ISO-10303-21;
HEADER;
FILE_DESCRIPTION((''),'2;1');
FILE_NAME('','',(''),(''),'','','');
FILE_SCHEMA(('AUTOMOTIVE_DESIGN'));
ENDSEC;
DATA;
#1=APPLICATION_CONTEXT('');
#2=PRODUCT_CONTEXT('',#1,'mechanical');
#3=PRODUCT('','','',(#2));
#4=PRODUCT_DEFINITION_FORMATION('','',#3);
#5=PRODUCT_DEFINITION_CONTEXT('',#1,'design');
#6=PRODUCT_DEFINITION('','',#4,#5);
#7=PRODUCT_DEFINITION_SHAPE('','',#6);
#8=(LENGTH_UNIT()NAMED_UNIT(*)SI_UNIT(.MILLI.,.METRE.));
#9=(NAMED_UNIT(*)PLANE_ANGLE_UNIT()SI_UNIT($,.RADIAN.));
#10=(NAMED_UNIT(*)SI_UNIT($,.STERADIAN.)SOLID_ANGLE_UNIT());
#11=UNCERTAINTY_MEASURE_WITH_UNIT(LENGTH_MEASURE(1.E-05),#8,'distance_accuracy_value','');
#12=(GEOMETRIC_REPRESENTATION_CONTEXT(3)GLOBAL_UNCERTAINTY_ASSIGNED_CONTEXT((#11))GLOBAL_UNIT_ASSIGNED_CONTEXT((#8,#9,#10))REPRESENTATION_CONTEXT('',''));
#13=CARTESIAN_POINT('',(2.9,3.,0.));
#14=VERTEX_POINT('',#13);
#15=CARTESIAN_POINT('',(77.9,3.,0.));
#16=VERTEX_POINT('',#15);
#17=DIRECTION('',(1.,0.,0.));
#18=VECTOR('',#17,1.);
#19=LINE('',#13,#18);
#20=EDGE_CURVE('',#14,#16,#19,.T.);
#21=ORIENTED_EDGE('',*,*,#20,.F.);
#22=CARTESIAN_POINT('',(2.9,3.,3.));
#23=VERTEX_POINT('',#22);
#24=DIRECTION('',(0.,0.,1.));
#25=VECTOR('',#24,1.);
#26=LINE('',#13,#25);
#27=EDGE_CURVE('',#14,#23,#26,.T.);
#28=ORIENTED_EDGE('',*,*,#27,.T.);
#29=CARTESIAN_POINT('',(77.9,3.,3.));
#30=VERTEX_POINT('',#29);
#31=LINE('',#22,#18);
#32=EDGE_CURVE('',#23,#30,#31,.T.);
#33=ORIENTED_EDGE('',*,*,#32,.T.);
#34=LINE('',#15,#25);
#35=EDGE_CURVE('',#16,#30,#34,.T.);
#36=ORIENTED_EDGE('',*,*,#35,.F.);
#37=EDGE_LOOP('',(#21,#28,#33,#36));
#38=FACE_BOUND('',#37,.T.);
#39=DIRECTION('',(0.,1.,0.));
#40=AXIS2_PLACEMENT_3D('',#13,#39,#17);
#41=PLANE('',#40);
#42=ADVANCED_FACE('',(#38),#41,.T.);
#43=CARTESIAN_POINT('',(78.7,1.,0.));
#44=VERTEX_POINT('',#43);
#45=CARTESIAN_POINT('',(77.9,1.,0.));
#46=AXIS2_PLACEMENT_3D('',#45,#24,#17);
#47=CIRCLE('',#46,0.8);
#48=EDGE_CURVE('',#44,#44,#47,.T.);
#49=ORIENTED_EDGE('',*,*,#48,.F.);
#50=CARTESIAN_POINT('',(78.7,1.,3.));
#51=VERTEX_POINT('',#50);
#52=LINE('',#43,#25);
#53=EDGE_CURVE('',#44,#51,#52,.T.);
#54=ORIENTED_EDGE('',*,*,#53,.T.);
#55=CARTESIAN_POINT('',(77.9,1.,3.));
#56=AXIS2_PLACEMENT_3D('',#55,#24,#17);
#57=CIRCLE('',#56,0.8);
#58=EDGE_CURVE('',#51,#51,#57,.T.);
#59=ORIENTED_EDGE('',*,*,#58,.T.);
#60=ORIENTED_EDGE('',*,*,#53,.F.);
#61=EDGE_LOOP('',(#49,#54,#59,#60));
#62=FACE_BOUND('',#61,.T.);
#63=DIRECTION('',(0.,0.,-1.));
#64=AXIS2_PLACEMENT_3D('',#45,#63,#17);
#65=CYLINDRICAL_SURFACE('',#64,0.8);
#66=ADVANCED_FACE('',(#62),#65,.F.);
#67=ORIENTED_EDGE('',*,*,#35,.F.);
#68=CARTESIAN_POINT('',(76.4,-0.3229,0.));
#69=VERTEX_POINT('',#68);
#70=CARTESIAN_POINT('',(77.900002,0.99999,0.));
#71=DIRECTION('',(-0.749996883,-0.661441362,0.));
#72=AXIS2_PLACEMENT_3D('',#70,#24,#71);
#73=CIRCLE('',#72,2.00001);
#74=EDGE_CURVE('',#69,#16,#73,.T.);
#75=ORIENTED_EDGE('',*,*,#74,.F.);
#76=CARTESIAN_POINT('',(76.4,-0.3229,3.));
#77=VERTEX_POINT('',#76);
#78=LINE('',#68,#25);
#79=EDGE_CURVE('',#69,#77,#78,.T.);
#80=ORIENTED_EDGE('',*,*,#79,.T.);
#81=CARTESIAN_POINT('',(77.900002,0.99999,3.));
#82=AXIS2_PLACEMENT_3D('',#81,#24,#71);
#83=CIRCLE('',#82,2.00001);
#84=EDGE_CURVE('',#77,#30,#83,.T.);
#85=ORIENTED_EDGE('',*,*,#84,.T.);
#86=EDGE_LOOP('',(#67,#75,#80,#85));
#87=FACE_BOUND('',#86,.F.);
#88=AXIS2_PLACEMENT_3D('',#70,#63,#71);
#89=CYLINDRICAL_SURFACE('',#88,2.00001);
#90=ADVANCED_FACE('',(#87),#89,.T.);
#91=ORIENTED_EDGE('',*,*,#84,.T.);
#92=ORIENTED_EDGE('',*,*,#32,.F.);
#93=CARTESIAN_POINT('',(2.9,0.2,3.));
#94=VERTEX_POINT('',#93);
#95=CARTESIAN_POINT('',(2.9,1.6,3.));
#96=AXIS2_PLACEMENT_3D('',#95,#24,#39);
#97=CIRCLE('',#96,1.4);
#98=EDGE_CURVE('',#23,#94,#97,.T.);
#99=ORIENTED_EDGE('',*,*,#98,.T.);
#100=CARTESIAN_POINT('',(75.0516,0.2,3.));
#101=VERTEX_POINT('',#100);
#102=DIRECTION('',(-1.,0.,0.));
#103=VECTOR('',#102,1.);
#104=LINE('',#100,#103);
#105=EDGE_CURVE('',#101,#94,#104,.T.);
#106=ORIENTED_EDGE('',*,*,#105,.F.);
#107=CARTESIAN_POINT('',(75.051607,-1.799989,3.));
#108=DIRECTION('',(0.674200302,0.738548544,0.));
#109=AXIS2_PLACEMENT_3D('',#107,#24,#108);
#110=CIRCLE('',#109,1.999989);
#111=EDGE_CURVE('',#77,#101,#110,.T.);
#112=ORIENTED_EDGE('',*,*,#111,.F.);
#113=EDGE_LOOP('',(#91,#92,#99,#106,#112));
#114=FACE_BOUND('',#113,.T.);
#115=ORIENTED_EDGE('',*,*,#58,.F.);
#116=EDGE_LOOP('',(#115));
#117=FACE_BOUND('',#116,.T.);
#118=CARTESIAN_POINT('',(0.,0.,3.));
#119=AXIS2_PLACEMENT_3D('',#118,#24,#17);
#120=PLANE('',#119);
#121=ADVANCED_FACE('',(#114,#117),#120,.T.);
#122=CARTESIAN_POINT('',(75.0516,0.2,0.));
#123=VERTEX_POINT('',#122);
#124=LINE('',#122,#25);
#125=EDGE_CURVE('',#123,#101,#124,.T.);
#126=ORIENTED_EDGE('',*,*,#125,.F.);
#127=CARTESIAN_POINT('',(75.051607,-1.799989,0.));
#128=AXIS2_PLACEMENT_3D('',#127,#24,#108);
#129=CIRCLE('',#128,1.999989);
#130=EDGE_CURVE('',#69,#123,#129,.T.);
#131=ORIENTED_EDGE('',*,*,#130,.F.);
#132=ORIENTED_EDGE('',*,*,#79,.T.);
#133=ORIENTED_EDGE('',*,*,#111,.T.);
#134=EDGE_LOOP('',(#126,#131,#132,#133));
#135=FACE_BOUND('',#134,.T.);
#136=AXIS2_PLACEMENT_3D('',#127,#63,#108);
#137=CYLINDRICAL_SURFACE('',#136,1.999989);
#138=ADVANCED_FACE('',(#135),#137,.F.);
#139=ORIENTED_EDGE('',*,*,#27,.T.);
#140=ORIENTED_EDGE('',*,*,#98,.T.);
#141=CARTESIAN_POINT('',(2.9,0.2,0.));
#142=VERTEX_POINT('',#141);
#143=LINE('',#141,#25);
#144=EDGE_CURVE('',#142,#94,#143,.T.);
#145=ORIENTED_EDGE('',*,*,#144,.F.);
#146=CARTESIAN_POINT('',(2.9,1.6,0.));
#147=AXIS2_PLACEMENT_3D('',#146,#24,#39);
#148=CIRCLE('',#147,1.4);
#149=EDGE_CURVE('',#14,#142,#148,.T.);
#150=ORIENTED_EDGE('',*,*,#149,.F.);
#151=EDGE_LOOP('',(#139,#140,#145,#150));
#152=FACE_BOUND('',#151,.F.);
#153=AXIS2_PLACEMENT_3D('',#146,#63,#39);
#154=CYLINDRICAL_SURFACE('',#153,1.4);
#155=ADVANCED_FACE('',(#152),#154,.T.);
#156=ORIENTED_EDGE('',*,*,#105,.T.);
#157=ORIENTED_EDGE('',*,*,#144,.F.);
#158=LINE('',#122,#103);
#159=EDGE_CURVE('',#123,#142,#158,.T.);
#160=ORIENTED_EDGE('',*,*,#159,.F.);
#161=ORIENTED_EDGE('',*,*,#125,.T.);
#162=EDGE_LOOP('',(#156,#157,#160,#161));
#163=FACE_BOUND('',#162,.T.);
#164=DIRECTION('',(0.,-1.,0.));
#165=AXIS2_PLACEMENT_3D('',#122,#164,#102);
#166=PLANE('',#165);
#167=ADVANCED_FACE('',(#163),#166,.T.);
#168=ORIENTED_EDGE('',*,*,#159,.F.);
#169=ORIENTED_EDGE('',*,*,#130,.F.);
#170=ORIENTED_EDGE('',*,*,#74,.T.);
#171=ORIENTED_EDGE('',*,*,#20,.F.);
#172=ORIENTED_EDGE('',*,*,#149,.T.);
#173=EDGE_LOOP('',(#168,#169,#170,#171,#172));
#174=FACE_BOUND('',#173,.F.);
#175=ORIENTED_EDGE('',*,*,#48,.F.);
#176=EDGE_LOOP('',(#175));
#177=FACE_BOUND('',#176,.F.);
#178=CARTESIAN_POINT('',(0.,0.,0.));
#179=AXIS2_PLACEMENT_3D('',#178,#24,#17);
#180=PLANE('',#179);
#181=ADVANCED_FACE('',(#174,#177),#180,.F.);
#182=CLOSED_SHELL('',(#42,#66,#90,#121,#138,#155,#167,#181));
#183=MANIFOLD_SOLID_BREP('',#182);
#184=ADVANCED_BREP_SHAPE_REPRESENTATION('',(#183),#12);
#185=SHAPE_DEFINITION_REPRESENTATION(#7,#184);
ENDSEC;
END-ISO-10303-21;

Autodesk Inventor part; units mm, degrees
ref_plane "YZ Plane" through (0, 0, 0) normal (1, 0, 0) x (0, 1, 0)
ref_plane "XZ Plane" through (0, 0, 0) normal (0, 1, 0) x (-1, 0, 0)
ref_plane "XY Plane" through (0, 0, 0) normal (0, 0, 1) x (1, 0, 0)
ref_plane "Work Plane1" through (0, 0, 0) normal (0, 0, 1) x (1, 0, 0)
sketch "Sketch1" plane through (0, 0, 0) normal (0, 0, 1) x (1, 0, 0)
  circle A0 centre (77.9, 1) radius 0.8 projected
  line L0 (79.585, 1.6) -> (78.4292, 1.6) construction
  line L1 (2.9, 3) -> (77.9, 3)
  arc A1 (2.9, 3) -> (2.9, 0.2) centre (2.9, 1.6) ccw
  arc A2 (76.4, -0.3229) -> (77.9, 3) centre (77.9, 1) ccw
  line L2 (75.0516, 0.2) -> (2.9, 0.2)
  arc A3 (76.4, -0.3229) -> (75.0516, 0.2) centre (75.0516, -1.8) ccw
  point P0 (0, 0)
  point P1 (41.1836, 1.6)
  point P2 (74.7858, 0.2)
  dimension "d1" = 4
  dimension "d2" = 2.8
  dimension "d4" = 2
  dimension "d5" = 75
  dimension "d6" = 1.5
extrude "Extrusion1" add sketch "Sketch1" along normal blind 3
properties part number "flip-stand-bottom"
